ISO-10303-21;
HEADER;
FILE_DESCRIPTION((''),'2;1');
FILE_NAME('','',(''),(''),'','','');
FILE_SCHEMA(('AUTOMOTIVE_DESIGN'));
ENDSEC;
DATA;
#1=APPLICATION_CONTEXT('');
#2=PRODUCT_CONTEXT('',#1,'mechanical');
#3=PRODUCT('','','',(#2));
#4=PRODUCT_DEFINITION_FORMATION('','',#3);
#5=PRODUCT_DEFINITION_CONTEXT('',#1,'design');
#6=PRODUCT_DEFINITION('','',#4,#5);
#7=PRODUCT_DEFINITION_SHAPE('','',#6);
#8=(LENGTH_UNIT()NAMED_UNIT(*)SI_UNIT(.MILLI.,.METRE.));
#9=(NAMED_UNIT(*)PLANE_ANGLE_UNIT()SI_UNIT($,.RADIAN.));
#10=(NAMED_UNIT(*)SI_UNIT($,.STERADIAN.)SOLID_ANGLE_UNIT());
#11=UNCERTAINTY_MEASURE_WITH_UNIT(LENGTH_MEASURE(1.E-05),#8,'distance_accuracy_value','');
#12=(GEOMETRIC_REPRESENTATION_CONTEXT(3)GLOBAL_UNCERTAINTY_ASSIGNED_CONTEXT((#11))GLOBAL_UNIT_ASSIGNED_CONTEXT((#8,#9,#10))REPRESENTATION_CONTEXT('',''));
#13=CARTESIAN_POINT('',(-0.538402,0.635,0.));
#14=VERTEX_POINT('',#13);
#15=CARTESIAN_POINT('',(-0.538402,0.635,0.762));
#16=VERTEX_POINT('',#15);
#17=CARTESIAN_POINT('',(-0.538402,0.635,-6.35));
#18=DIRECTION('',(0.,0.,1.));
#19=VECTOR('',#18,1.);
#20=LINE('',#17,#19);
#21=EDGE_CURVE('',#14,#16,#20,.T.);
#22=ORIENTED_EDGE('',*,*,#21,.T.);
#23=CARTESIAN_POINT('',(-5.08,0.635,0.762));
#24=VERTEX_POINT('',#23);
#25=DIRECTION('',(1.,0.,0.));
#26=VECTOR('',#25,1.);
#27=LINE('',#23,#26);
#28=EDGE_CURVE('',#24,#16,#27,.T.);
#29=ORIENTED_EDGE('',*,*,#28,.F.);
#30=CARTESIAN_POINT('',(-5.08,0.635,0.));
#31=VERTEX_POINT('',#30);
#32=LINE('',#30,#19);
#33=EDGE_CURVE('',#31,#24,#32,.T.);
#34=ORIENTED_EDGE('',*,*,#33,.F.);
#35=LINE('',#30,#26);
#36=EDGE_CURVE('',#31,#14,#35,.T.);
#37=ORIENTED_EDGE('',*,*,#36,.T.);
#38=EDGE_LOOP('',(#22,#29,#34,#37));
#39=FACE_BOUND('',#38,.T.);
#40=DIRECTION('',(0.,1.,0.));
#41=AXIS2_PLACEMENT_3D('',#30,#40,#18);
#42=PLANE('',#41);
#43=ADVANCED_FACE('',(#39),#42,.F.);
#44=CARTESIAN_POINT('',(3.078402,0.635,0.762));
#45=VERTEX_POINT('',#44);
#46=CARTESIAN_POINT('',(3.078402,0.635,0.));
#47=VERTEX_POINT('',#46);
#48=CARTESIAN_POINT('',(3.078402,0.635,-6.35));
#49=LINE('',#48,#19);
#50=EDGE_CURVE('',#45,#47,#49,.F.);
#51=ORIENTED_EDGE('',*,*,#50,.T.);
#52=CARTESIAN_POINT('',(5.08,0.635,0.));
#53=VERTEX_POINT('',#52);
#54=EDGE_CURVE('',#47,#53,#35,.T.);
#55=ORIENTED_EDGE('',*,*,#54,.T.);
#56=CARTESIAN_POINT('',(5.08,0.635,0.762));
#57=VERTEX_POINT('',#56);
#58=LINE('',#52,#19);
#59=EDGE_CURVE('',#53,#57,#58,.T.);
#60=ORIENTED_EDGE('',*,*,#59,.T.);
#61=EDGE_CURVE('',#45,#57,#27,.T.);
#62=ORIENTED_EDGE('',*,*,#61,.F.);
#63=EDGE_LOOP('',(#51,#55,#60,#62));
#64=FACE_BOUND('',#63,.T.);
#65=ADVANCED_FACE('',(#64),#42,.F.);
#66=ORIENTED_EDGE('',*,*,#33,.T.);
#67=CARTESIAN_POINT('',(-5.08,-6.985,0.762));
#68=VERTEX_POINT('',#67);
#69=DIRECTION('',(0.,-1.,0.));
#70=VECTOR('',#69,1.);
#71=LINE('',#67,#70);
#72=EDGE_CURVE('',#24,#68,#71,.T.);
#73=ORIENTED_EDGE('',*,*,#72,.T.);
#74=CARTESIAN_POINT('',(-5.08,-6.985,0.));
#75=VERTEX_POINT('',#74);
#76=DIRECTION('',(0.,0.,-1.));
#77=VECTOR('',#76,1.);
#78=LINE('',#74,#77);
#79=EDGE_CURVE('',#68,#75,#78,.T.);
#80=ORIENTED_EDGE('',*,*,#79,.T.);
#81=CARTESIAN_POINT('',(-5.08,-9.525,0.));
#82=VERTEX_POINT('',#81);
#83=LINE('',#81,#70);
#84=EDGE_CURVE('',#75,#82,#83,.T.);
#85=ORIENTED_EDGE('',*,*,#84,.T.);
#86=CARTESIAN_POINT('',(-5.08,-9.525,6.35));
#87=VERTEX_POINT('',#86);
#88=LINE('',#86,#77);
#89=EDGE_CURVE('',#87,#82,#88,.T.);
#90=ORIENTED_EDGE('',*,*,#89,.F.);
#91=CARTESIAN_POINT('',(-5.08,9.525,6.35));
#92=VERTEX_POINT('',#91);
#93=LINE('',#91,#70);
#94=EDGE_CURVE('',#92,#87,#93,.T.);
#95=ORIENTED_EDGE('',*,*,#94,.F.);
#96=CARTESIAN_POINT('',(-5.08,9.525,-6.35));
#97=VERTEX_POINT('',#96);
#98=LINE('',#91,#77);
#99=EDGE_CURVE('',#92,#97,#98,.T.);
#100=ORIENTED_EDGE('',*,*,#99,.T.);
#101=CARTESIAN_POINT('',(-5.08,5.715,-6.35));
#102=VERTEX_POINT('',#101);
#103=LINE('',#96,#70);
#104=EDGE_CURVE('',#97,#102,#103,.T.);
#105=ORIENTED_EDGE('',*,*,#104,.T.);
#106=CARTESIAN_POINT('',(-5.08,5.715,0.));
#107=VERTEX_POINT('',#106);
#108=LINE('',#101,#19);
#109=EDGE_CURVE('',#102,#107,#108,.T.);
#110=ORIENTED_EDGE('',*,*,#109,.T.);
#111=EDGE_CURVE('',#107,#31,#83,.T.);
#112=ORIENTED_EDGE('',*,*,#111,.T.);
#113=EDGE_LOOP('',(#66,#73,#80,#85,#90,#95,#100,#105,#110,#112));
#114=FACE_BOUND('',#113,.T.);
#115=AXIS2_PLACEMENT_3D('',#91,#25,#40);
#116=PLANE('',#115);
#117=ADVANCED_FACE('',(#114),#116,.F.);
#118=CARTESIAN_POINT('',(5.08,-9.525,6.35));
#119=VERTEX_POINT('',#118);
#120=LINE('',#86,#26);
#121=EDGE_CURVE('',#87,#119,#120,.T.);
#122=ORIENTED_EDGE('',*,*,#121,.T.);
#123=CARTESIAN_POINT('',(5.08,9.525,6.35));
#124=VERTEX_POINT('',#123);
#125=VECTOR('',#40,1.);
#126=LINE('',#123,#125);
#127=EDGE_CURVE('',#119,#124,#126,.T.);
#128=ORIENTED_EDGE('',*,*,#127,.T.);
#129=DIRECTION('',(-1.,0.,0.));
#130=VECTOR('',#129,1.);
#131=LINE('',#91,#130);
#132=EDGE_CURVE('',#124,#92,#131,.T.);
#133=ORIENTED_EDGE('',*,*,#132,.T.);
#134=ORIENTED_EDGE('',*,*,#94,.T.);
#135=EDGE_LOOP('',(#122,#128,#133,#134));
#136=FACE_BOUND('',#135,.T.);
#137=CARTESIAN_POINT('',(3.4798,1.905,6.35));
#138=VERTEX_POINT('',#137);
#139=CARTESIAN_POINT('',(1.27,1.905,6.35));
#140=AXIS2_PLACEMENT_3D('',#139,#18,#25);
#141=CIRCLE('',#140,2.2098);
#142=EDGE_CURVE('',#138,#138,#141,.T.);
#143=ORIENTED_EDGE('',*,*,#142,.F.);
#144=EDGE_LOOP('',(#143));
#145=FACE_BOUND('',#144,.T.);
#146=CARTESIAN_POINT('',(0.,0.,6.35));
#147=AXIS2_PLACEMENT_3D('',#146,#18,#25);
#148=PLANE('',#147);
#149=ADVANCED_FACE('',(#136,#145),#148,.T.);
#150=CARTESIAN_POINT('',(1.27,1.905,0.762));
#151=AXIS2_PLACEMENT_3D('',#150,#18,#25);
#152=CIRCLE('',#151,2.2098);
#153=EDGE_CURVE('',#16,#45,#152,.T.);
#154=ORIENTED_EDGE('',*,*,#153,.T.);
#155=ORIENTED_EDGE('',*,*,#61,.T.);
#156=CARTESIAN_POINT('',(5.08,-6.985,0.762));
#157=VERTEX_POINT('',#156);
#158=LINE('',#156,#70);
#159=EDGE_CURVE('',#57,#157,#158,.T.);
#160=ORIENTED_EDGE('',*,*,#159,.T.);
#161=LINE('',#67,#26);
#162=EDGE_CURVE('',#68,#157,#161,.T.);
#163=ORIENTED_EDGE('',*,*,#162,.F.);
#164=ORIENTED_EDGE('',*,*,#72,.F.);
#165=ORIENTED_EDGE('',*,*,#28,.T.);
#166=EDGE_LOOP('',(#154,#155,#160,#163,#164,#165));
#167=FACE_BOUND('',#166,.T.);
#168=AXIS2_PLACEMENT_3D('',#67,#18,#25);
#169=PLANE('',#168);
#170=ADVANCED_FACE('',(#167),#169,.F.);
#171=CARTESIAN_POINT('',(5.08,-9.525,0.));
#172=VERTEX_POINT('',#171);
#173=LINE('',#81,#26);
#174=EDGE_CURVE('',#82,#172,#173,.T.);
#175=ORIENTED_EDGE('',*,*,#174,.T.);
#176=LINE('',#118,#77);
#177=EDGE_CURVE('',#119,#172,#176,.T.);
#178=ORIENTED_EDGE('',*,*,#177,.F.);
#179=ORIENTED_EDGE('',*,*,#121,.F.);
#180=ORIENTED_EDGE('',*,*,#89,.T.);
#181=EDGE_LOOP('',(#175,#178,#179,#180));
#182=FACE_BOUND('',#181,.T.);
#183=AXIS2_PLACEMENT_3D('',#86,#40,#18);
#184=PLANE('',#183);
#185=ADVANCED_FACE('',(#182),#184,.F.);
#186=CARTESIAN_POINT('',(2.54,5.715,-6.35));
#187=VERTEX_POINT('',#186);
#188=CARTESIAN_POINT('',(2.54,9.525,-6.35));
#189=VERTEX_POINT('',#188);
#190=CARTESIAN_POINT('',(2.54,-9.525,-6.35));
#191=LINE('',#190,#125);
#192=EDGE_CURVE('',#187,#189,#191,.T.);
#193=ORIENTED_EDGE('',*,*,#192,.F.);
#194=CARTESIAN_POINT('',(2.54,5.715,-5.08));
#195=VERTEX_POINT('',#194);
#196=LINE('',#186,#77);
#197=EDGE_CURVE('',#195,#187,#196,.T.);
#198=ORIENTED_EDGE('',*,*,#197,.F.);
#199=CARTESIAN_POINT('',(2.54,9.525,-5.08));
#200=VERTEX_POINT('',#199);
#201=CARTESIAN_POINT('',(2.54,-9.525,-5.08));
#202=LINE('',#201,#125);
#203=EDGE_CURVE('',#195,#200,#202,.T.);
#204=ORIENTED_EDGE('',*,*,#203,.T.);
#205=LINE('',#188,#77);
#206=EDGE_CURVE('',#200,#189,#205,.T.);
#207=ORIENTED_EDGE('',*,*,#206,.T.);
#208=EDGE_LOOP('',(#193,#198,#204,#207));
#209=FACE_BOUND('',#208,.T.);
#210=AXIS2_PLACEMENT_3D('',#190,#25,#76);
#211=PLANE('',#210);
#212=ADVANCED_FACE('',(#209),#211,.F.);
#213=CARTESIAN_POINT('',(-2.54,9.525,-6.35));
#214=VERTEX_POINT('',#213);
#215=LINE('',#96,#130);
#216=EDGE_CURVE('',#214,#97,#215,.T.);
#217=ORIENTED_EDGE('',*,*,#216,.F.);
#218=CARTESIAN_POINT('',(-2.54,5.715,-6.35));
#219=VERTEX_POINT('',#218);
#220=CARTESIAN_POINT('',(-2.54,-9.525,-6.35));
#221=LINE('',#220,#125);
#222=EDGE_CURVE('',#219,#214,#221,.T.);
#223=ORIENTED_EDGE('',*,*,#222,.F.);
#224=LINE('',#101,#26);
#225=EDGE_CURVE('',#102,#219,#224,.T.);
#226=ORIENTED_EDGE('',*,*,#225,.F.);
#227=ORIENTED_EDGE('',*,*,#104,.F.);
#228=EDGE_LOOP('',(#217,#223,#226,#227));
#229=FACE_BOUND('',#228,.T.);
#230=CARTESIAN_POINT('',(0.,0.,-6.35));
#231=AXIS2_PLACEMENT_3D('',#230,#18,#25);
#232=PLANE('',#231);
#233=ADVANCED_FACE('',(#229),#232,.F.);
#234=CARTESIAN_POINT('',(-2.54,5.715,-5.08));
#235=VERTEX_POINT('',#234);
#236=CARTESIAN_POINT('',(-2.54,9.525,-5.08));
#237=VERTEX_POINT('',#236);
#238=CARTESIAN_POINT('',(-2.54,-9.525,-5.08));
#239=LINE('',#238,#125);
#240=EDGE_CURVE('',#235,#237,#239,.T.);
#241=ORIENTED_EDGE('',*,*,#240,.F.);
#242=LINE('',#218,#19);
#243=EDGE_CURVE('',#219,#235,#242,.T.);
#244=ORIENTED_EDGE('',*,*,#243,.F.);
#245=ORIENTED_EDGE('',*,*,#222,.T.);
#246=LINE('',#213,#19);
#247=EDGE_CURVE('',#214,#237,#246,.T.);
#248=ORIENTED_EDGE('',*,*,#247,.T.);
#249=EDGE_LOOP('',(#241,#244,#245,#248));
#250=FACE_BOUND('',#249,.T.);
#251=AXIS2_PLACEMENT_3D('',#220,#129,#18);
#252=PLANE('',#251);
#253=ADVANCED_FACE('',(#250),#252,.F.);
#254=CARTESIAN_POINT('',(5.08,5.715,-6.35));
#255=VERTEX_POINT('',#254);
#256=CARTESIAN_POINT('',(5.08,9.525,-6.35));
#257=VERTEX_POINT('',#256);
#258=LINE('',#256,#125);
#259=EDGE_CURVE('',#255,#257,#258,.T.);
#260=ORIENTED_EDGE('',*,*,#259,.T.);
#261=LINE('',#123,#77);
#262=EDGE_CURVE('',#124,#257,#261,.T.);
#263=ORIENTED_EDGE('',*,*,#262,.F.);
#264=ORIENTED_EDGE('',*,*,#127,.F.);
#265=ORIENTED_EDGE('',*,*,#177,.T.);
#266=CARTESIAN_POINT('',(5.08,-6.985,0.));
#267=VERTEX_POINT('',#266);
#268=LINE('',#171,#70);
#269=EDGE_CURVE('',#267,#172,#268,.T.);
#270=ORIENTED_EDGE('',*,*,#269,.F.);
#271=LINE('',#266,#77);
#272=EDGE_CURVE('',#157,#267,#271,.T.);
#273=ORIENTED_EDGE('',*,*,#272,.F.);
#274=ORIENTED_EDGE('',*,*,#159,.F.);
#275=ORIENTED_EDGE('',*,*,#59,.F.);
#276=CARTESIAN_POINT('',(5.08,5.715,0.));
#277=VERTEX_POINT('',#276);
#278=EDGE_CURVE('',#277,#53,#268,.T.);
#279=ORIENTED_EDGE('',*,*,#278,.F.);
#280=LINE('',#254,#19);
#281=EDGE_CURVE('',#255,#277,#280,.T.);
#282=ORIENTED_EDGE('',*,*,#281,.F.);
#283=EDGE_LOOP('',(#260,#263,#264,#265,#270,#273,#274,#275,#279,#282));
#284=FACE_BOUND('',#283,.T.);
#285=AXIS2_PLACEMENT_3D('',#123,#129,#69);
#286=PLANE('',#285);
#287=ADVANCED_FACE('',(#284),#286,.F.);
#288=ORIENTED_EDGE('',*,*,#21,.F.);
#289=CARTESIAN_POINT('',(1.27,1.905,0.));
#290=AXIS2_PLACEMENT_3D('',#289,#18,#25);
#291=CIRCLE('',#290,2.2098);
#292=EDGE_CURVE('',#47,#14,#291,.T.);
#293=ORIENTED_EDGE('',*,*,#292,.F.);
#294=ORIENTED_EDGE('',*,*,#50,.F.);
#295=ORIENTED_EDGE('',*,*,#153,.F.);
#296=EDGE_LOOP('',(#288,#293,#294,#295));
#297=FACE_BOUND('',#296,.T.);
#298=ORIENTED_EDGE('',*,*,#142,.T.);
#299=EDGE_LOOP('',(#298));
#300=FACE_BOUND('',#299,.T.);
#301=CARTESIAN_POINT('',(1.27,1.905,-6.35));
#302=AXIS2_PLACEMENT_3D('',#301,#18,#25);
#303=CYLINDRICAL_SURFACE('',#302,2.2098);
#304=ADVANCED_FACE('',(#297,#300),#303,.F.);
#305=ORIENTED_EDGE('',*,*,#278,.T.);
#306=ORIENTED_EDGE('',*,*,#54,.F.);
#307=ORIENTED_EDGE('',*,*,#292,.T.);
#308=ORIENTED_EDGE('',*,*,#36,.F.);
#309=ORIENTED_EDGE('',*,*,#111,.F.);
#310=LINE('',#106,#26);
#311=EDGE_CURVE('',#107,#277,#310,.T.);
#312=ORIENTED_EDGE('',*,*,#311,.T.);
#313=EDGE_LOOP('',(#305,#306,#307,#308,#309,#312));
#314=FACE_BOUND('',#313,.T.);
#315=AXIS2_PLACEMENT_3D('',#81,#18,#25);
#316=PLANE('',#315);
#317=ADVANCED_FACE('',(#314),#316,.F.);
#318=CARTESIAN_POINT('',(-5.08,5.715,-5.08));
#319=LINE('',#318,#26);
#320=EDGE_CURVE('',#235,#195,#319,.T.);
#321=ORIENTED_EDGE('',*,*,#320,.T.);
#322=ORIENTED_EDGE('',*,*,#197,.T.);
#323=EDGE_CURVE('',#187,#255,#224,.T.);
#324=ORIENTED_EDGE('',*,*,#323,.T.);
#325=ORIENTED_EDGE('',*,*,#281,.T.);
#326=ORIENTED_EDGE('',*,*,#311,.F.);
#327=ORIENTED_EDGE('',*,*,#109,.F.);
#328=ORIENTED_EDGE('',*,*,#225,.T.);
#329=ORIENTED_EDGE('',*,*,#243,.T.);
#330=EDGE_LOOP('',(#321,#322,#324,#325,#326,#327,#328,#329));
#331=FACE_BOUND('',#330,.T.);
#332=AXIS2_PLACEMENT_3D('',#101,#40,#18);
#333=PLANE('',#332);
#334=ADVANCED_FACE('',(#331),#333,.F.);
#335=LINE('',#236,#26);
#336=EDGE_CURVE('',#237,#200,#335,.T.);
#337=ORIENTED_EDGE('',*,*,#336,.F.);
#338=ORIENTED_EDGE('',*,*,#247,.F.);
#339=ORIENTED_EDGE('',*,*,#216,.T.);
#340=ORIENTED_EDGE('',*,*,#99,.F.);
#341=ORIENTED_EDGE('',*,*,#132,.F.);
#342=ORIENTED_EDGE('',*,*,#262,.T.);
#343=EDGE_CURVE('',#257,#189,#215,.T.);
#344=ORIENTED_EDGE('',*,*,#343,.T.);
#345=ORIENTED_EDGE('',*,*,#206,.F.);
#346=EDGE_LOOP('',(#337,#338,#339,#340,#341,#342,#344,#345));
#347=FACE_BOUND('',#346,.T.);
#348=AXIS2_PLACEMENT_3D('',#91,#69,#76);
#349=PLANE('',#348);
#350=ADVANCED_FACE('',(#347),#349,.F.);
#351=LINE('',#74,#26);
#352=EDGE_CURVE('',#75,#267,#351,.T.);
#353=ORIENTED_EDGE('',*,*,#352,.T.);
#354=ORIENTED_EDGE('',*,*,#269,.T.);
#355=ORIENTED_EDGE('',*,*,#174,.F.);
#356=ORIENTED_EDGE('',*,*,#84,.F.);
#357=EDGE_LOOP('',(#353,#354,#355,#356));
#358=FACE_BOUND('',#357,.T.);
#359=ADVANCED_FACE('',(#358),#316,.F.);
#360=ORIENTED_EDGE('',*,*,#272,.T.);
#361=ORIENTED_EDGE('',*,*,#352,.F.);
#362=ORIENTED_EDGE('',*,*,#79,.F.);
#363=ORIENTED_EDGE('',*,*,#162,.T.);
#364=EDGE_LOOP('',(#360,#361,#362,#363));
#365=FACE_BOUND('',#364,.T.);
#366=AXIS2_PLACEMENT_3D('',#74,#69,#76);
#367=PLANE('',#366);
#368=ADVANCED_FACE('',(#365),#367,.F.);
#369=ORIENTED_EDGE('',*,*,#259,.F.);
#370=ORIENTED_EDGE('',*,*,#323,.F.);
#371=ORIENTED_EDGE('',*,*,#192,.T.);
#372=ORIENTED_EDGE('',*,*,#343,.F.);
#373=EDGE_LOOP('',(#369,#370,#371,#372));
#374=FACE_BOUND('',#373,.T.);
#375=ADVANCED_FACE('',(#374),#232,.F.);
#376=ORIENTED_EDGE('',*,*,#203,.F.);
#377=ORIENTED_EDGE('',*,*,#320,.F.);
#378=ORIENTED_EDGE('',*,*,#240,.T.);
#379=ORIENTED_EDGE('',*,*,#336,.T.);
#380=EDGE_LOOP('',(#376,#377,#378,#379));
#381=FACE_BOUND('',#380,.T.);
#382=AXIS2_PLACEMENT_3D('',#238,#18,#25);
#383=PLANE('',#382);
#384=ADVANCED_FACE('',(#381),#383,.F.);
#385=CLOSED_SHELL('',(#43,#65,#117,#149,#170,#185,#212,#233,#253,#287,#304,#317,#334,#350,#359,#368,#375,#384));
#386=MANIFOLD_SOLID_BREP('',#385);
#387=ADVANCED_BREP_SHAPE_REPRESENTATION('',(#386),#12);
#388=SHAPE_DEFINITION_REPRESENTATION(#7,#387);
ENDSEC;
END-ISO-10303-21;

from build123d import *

# Parameters (mm, degrees)
SKETCH1_W           = 10.16
SKETCH1_H           = 19.05
BOSS_EXTRUDE1_DEPTH = 6.35
SKETCH2_W           = 6.35
SKETCH2_H           = 15.24
CUT_EXTRUDE1_DEPTH  = 11.16
SKETCH3_W           = 5.08
SKETCH3_H           = 1.27
CUT_EXTRUDE2_DEPTH  = 20.05
SKETCH4_W           = 0.762
SKETCH4_H           = 7.62
CUT_EXTRUDE3_DEPTH  = 11.16
SKETCH5_R           = 2.2098
CUT_EXTRUDE4_DEPTH  = 13.7


with BuildPart() as part:
    # Sketch1 → Boss-Extrude1 (new body, symmetric)
    with BuildSketch(Plane.XY):
        Rectangle(SKETCH1_W, SKETCH1_H)
    extrude(amount=BOSS_EXTRUDE1_DEPTH, both=True)

    # Sketch2 → Cut-Extrude1 (cut, through all)
    with BuildSketch(Plane(origin=(5.08, 0, 0), x_dir=(0, 0, -1), z_dir=(1, 0, 0))):
        with Locations((3.175, -1.905)):
            Rectangle(SKETCH2_W, SKETCH2_H)
    extrude(amount=-CUT_EXTRUDE1_DEPTH, mode=Mode.SUBTRACT)

    # Sketch3 → Cut-Extrude2 (cut, through all)
    with BuildSketch(Plane(origin=(0, 9.525, 0), x_dir=(1, 0, 0), z_dir=(0, 1, 0))):
        with Locations((0, 5.715)):
            Rectangle(SKETCH3_W, SKETCH3_H)
    extrude(amount=-CUT_EXTRUDE2_DEPTH, mode=Mode.SUBTRACT)

    # Sketch4 → Cut-Extrude3 (cut, through all)
    with BuildSketch(Plane(origin=(5.08, 0, 0), x_dir=(0, 0, -1), z_dir=(1, 0, 0))):
        with Locations((-0.381, -3.175)):
            Rectangle(SKETCH4_W, SKETCH4_H)
    extrude(amount=-CUT_EXTRUDE3_DEPTH, mode=Mode.SUBTRACT)

    # Sketch5 → Cut-Extrude4 (cut, through all)
    with BuildSketch(Plane.XY.offset(6.35)):
        with Locations((1.27, 1.905)):
            Circle(SKETCH5_R)
    extrude(amount=-CUT_EXTRUDE4_DEPTH, mode=Mode.SUBTRACT)


solid = part.part
